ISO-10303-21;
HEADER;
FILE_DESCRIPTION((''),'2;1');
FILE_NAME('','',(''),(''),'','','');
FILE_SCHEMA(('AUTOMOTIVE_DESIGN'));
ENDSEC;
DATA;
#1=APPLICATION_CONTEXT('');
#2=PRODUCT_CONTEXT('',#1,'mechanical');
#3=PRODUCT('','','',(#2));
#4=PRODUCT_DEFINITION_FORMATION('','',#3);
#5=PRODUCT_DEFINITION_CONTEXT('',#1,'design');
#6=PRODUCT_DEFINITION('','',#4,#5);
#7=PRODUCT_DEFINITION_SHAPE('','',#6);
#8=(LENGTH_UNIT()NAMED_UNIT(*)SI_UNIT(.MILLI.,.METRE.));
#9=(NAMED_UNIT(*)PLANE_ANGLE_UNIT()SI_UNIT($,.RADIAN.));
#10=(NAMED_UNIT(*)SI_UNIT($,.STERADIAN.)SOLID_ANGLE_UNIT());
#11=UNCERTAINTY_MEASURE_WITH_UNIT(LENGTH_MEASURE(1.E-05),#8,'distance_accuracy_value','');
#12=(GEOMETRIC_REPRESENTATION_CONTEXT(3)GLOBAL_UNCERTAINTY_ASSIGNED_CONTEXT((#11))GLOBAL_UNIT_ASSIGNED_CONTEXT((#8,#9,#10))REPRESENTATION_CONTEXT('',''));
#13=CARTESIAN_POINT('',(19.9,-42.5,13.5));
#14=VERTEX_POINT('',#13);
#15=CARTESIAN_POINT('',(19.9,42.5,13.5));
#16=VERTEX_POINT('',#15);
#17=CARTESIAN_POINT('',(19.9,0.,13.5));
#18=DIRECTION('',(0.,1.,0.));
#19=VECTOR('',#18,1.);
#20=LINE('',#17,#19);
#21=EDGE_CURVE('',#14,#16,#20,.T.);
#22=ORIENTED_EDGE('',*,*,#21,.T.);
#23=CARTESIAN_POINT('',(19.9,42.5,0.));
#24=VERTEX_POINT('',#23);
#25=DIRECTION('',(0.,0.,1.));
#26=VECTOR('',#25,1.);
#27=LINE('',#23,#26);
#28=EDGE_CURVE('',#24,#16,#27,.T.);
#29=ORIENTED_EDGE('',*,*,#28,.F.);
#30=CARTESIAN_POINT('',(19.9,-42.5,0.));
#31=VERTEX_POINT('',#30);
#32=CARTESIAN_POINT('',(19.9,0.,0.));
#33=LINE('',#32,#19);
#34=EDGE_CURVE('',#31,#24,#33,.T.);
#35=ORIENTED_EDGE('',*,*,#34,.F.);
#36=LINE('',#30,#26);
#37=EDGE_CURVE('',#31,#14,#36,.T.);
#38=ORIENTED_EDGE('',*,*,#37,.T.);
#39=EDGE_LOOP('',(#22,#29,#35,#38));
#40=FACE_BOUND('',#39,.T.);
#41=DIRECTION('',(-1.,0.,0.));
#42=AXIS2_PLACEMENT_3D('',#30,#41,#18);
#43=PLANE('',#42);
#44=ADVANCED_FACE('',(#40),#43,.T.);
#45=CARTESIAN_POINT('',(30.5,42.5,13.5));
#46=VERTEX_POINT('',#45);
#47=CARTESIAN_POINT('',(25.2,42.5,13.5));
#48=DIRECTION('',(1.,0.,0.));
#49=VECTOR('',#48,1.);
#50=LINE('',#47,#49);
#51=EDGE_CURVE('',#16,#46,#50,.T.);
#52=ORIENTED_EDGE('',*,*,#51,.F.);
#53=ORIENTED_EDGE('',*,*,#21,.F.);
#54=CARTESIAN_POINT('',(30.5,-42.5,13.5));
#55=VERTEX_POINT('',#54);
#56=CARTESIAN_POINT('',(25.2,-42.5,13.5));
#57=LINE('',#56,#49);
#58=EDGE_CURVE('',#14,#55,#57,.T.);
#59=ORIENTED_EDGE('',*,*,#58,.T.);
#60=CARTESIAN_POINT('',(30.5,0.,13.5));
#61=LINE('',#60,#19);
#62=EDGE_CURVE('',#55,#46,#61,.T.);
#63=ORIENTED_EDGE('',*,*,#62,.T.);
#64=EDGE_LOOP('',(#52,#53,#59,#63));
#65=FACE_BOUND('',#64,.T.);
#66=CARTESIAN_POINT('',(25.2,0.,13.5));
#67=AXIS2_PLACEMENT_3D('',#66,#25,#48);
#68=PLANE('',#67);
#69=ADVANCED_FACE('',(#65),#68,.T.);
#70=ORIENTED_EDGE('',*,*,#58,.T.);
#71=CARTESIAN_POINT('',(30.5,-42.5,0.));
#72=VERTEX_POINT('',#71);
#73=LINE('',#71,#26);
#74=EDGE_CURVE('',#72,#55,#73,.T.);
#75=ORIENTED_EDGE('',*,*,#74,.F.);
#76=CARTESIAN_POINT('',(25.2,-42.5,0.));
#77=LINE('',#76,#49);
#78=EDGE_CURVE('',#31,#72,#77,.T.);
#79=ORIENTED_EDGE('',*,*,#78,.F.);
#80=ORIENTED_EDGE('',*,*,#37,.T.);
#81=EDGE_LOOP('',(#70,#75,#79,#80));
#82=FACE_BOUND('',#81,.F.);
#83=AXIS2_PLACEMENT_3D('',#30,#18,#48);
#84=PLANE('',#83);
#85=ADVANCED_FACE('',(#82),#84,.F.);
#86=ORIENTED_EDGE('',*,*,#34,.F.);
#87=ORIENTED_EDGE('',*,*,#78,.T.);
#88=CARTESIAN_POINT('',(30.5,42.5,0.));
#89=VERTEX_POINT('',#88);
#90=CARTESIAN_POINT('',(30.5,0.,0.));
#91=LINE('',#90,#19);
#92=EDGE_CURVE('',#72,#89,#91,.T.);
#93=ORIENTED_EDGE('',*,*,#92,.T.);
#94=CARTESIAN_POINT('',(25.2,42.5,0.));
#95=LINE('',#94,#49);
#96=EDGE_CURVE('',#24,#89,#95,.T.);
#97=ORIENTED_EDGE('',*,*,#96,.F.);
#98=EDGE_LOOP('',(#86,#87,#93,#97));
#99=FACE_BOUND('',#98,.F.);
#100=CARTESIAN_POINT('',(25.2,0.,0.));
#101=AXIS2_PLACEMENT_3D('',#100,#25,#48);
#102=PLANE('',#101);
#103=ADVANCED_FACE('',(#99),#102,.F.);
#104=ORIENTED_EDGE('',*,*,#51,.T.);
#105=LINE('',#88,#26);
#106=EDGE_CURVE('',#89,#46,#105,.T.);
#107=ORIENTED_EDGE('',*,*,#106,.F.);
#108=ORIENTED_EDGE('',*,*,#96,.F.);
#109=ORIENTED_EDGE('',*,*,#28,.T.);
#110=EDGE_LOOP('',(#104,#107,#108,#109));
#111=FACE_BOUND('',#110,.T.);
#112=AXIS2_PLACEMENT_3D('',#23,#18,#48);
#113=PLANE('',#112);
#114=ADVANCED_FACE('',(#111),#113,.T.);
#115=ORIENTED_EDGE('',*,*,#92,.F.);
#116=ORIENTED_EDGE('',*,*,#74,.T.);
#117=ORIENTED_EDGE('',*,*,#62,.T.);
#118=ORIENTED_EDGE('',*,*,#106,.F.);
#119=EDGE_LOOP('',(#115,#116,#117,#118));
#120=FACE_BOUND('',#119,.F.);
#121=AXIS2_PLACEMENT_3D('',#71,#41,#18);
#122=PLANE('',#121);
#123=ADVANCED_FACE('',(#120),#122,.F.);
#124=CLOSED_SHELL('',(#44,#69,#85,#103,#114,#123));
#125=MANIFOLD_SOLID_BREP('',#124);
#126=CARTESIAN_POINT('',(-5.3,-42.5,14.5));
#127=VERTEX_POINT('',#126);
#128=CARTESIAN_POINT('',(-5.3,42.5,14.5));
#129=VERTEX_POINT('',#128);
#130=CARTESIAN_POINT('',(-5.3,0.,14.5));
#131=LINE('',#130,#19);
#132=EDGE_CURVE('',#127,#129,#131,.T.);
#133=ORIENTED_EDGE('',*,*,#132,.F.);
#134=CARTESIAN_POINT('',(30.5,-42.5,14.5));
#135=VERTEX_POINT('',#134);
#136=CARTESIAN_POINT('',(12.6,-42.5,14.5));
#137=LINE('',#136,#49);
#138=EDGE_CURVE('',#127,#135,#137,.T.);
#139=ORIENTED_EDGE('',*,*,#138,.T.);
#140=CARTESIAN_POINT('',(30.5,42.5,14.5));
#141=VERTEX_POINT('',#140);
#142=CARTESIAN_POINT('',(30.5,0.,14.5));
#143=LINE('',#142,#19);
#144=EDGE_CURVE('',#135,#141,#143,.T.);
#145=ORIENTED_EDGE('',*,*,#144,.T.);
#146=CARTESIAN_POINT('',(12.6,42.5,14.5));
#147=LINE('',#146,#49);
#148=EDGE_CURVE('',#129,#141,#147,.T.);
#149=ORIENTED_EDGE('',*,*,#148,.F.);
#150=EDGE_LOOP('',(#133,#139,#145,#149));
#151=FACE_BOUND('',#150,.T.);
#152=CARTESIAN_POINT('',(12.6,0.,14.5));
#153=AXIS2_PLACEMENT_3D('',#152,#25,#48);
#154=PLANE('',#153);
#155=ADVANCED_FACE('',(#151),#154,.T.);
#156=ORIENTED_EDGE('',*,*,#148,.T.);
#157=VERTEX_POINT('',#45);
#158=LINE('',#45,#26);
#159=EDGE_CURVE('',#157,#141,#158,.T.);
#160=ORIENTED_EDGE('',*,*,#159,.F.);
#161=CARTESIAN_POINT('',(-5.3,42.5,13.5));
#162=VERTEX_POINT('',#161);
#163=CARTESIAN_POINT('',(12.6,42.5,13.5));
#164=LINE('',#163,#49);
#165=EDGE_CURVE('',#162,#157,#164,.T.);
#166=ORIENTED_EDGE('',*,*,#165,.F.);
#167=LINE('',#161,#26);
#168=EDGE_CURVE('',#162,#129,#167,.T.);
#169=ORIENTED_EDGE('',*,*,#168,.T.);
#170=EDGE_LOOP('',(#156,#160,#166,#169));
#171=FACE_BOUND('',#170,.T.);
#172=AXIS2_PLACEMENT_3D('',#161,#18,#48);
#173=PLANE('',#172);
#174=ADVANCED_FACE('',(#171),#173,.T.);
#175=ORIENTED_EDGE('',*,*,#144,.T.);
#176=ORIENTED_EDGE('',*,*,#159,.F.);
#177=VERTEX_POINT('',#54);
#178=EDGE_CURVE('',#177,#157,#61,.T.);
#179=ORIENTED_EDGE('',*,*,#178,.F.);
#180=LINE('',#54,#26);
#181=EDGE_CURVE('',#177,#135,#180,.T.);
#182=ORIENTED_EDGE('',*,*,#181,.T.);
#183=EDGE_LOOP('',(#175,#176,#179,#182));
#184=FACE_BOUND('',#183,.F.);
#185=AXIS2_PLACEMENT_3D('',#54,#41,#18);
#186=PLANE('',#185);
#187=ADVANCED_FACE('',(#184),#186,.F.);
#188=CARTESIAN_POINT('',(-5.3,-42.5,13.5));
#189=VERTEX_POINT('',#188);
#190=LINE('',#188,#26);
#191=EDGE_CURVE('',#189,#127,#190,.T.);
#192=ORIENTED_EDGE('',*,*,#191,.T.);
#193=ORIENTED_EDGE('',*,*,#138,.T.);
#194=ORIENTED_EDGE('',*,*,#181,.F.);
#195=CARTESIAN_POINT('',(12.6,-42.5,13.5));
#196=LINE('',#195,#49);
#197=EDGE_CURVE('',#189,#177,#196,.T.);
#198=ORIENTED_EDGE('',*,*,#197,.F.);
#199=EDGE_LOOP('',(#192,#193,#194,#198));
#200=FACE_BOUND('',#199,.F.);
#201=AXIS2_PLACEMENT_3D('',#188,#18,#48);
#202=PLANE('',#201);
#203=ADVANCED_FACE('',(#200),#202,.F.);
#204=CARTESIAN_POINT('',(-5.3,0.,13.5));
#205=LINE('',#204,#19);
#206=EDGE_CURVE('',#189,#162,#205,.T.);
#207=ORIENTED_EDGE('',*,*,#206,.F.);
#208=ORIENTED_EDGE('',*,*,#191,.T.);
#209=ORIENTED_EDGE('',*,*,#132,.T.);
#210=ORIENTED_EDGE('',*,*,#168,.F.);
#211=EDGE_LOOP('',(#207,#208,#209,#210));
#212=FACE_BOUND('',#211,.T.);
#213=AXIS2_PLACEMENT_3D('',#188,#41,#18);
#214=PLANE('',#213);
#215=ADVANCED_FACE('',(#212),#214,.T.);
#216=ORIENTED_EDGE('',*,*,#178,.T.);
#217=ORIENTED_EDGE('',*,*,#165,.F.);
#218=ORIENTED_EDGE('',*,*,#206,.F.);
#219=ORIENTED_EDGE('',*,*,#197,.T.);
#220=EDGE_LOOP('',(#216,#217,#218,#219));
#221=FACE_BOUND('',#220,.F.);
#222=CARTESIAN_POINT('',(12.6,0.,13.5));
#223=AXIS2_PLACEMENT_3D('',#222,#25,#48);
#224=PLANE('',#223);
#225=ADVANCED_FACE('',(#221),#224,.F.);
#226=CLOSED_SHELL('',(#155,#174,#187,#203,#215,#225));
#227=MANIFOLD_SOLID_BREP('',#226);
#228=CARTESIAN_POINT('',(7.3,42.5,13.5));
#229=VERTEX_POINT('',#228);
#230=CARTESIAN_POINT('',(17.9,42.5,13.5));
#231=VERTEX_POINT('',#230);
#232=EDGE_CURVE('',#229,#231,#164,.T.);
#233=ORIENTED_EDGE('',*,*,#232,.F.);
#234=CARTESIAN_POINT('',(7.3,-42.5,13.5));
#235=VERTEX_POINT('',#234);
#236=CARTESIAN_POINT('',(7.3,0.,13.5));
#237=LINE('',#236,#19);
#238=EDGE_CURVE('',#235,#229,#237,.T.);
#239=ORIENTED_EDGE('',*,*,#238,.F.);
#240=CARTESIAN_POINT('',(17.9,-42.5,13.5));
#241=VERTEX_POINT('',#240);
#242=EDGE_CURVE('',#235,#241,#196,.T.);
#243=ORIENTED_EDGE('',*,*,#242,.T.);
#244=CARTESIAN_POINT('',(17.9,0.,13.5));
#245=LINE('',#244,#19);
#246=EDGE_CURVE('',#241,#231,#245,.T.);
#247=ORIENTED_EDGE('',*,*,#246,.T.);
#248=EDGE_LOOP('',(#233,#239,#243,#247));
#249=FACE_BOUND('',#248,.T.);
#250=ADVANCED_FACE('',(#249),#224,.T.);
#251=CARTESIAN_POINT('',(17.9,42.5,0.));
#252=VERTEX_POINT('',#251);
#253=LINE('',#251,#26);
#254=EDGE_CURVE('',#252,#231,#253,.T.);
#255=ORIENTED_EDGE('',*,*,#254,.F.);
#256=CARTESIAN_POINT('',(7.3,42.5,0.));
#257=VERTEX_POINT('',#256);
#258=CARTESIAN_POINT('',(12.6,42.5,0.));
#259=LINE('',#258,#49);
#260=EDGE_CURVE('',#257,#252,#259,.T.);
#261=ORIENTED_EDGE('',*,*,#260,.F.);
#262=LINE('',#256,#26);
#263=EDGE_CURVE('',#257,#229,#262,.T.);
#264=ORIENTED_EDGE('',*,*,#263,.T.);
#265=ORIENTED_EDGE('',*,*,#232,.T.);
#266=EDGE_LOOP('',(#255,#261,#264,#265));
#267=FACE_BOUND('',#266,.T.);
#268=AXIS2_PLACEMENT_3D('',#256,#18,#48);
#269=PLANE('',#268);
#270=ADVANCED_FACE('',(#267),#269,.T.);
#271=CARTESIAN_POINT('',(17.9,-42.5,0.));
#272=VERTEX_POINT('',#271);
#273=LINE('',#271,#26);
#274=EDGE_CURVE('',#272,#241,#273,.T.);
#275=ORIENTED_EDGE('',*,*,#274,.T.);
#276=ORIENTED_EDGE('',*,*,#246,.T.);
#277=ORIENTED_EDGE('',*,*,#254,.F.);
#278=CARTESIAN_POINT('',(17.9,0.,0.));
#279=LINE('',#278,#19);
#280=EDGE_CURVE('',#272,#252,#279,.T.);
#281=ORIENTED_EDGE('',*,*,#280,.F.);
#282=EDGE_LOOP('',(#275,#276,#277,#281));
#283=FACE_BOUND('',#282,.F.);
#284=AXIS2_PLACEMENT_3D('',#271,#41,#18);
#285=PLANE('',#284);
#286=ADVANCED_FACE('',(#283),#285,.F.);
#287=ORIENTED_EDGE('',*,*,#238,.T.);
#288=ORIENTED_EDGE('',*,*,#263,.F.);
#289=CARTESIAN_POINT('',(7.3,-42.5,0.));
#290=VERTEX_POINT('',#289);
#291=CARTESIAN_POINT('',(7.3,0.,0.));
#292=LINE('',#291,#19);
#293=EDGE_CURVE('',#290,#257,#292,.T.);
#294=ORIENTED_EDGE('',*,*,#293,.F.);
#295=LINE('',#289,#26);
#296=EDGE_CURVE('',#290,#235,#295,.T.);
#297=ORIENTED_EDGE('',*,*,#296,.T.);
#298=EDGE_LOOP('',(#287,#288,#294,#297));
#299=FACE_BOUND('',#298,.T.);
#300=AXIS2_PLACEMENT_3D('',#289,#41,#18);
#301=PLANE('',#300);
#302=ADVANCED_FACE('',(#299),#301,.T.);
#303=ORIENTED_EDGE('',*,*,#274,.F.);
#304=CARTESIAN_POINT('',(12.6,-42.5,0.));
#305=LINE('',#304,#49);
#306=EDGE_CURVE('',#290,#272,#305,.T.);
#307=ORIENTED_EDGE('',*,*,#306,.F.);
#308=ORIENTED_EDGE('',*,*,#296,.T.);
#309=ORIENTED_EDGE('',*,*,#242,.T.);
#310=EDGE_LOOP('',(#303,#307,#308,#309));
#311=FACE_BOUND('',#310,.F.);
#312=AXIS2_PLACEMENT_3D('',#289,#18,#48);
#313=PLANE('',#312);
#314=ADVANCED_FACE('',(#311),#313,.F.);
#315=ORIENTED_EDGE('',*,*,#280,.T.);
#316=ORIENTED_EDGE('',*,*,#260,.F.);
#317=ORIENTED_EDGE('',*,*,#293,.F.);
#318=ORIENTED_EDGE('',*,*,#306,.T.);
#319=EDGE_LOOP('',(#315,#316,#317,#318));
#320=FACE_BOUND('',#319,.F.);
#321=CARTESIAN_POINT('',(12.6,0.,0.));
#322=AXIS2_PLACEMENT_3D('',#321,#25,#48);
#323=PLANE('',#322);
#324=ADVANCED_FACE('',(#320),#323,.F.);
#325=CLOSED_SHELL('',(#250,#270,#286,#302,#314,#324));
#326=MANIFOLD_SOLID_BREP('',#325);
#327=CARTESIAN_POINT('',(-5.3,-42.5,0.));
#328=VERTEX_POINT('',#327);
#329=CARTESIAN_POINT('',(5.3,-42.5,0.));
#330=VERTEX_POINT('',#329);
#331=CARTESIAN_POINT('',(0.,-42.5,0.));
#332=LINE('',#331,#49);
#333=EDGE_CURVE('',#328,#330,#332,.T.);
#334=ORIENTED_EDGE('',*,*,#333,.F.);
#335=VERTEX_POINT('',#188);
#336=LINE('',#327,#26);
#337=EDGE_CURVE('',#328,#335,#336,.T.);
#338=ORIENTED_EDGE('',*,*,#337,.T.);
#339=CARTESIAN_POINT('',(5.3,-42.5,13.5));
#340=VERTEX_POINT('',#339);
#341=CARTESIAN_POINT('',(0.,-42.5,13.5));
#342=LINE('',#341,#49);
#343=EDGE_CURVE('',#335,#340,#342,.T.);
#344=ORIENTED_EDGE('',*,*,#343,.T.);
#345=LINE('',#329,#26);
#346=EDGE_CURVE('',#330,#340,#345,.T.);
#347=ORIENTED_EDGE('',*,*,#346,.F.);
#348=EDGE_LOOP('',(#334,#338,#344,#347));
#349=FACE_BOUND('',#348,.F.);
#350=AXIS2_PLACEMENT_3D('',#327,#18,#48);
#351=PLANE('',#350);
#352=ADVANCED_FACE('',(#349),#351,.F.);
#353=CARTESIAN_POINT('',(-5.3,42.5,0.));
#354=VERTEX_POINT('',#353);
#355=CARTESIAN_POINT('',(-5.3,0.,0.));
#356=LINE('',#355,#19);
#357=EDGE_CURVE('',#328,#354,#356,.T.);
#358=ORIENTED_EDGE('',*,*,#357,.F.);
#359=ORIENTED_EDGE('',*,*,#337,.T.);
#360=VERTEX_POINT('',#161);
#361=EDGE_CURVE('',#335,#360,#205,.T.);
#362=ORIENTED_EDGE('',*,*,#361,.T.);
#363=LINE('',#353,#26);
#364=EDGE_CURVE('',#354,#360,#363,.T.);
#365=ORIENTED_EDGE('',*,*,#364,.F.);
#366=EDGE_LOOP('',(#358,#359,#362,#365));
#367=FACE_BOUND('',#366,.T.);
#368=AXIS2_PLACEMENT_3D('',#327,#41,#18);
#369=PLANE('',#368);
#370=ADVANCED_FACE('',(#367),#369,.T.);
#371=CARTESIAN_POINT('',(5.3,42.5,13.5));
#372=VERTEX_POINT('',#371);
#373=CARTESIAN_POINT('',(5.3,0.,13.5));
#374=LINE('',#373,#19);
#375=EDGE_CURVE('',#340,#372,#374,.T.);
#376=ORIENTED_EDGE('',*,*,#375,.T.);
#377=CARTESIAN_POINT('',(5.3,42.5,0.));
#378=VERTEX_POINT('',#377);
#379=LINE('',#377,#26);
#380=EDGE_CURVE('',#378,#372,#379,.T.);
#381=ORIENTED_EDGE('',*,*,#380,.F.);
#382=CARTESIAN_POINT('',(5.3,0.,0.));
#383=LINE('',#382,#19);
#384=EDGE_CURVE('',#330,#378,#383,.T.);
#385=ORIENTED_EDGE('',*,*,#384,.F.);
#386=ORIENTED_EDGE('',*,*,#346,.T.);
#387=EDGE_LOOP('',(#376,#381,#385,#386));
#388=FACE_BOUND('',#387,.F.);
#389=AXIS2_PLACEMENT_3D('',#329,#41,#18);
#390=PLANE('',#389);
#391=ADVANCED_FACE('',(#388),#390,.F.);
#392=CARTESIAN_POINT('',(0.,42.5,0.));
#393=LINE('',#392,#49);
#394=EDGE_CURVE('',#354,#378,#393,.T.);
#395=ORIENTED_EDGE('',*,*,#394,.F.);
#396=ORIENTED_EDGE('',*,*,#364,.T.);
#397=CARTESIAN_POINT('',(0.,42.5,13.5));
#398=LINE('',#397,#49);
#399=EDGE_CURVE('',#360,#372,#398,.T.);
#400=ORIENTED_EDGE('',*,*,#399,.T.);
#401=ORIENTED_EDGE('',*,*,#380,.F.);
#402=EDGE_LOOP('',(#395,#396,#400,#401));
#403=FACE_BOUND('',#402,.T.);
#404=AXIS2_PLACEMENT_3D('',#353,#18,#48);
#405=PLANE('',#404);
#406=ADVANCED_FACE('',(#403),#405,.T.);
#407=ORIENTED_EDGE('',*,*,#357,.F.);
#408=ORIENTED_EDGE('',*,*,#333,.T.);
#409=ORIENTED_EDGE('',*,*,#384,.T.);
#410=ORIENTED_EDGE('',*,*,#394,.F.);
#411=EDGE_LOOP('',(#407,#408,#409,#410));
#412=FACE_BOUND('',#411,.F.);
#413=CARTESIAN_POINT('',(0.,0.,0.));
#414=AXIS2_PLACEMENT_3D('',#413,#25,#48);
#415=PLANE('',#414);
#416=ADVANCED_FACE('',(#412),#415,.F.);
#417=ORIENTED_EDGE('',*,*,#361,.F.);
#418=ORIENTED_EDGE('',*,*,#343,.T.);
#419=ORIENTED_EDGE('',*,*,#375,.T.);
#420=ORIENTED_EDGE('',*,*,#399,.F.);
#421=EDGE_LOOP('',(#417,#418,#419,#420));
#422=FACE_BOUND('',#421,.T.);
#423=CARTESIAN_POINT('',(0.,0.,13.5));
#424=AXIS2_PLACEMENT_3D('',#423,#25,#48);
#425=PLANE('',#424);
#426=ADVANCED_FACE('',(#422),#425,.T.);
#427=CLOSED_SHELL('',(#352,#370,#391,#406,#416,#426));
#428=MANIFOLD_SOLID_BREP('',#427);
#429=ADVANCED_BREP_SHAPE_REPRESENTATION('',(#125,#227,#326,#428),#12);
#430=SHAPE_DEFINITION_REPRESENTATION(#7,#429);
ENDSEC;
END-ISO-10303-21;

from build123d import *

# Parameters (mm, degrees)
F0_W     = 10.6
F0_H     = 85
F1_DEPTH = 13.5
F2_W     = 35.8
F2_H     = 85
F3_DEPTH = 1


with BuildPart() as f1:
    # F0 (on Top) → F1 (new body)
    with BuildSketch(Plane.XY):
        Rectangle(F0_W, F0_H)
        with Locations((12.6, 0)):
            Rectangle(F0_W, F0_H)
        with Locations((25.2, 0)):
            Rectangle(F0_W, F0_H)
    extrude(amount=F1_DEPTH)


with BuildPart() as f3:
    # F2 (on face) → F3 (new body)
    with BuildSketch(Plane.XY.offset(13.5)):
        with Locations((12.6, 0)):
            Rectangle(F2_W, F2_H)
    extrude(amount=F3_DEPTH)


solid = Compound([f1.part, f3.part])
